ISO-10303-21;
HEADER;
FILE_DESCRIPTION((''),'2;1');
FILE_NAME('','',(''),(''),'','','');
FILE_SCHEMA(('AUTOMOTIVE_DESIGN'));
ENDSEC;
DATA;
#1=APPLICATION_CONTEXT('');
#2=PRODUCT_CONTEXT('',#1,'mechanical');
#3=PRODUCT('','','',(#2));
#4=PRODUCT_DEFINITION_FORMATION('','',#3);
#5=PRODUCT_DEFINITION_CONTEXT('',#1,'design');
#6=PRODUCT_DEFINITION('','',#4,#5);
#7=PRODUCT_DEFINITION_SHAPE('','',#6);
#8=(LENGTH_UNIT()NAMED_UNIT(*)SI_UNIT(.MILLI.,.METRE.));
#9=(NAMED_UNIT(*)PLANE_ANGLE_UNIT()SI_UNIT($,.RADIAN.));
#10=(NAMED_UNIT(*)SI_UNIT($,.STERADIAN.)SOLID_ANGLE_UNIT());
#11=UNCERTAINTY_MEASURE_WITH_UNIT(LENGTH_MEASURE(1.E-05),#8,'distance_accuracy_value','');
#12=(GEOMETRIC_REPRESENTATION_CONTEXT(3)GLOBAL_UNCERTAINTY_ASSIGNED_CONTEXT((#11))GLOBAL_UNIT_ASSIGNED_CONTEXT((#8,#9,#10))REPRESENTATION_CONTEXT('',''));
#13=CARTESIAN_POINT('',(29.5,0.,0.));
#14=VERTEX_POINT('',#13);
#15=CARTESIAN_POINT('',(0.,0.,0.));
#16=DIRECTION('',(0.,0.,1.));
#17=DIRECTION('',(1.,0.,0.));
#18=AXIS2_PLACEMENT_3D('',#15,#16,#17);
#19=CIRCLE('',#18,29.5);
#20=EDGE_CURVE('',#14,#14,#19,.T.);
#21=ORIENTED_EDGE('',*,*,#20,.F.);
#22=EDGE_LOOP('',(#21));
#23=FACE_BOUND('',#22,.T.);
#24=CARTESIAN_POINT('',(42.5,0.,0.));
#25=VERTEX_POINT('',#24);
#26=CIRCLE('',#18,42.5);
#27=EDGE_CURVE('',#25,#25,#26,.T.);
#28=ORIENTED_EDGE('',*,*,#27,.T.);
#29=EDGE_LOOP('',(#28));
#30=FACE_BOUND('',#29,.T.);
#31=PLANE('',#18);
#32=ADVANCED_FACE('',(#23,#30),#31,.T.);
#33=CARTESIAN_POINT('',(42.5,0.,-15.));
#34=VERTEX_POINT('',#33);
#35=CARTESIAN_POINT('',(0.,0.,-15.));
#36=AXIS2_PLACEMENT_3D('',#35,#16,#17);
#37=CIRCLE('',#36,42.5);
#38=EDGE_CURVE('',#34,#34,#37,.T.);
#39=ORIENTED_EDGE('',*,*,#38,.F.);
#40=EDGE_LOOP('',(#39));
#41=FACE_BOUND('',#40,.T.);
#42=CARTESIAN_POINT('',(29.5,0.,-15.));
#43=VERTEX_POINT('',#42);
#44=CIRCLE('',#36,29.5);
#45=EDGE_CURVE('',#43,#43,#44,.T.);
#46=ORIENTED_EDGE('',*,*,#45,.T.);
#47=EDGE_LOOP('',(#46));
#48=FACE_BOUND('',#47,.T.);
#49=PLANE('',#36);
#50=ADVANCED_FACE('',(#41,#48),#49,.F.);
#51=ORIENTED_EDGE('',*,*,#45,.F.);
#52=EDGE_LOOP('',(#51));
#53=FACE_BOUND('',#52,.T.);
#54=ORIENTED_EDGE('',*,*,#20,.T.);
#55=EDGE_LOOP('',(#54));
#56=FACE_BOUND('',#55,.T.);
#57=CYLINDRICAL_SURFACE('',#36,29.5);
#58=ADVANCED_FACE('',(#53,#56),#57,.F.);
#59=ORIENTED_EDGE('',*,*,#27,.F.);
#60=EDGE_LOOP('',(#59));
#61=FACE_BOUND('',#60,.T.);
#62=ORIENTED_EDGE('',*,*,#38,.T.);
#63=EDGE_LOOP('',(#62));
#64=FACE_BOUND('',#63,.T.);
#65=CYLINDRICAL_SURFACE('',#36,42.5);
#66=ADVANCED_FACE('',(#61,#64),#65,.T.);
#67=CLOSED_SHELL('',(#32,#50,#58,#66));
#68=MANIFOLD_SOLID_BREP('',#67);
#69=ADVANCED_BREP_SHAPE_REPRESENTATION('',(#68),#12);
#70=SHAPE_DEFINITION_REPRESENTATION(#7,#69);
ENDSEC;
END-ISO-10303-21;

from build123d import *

# Parameters (mm, degrees)
SKETCH1_R           = 42.5
SKETCH1_R_2         = 29.5
BOSS_EXTRUDE1_DEPTH = 15


with BuildPart() as part:
    # Sketch1 → Boss-Extrude1 (new body)
    with BuildSketch(Plane.XY):
        Circle(SKETCH1_R)
        Circle(SKETCH1_R_2, mode=Mode.SUBTRACT)
    extrude(amount=-BOSS_EXTRUDE1_DEPTH)


solid = part.part
